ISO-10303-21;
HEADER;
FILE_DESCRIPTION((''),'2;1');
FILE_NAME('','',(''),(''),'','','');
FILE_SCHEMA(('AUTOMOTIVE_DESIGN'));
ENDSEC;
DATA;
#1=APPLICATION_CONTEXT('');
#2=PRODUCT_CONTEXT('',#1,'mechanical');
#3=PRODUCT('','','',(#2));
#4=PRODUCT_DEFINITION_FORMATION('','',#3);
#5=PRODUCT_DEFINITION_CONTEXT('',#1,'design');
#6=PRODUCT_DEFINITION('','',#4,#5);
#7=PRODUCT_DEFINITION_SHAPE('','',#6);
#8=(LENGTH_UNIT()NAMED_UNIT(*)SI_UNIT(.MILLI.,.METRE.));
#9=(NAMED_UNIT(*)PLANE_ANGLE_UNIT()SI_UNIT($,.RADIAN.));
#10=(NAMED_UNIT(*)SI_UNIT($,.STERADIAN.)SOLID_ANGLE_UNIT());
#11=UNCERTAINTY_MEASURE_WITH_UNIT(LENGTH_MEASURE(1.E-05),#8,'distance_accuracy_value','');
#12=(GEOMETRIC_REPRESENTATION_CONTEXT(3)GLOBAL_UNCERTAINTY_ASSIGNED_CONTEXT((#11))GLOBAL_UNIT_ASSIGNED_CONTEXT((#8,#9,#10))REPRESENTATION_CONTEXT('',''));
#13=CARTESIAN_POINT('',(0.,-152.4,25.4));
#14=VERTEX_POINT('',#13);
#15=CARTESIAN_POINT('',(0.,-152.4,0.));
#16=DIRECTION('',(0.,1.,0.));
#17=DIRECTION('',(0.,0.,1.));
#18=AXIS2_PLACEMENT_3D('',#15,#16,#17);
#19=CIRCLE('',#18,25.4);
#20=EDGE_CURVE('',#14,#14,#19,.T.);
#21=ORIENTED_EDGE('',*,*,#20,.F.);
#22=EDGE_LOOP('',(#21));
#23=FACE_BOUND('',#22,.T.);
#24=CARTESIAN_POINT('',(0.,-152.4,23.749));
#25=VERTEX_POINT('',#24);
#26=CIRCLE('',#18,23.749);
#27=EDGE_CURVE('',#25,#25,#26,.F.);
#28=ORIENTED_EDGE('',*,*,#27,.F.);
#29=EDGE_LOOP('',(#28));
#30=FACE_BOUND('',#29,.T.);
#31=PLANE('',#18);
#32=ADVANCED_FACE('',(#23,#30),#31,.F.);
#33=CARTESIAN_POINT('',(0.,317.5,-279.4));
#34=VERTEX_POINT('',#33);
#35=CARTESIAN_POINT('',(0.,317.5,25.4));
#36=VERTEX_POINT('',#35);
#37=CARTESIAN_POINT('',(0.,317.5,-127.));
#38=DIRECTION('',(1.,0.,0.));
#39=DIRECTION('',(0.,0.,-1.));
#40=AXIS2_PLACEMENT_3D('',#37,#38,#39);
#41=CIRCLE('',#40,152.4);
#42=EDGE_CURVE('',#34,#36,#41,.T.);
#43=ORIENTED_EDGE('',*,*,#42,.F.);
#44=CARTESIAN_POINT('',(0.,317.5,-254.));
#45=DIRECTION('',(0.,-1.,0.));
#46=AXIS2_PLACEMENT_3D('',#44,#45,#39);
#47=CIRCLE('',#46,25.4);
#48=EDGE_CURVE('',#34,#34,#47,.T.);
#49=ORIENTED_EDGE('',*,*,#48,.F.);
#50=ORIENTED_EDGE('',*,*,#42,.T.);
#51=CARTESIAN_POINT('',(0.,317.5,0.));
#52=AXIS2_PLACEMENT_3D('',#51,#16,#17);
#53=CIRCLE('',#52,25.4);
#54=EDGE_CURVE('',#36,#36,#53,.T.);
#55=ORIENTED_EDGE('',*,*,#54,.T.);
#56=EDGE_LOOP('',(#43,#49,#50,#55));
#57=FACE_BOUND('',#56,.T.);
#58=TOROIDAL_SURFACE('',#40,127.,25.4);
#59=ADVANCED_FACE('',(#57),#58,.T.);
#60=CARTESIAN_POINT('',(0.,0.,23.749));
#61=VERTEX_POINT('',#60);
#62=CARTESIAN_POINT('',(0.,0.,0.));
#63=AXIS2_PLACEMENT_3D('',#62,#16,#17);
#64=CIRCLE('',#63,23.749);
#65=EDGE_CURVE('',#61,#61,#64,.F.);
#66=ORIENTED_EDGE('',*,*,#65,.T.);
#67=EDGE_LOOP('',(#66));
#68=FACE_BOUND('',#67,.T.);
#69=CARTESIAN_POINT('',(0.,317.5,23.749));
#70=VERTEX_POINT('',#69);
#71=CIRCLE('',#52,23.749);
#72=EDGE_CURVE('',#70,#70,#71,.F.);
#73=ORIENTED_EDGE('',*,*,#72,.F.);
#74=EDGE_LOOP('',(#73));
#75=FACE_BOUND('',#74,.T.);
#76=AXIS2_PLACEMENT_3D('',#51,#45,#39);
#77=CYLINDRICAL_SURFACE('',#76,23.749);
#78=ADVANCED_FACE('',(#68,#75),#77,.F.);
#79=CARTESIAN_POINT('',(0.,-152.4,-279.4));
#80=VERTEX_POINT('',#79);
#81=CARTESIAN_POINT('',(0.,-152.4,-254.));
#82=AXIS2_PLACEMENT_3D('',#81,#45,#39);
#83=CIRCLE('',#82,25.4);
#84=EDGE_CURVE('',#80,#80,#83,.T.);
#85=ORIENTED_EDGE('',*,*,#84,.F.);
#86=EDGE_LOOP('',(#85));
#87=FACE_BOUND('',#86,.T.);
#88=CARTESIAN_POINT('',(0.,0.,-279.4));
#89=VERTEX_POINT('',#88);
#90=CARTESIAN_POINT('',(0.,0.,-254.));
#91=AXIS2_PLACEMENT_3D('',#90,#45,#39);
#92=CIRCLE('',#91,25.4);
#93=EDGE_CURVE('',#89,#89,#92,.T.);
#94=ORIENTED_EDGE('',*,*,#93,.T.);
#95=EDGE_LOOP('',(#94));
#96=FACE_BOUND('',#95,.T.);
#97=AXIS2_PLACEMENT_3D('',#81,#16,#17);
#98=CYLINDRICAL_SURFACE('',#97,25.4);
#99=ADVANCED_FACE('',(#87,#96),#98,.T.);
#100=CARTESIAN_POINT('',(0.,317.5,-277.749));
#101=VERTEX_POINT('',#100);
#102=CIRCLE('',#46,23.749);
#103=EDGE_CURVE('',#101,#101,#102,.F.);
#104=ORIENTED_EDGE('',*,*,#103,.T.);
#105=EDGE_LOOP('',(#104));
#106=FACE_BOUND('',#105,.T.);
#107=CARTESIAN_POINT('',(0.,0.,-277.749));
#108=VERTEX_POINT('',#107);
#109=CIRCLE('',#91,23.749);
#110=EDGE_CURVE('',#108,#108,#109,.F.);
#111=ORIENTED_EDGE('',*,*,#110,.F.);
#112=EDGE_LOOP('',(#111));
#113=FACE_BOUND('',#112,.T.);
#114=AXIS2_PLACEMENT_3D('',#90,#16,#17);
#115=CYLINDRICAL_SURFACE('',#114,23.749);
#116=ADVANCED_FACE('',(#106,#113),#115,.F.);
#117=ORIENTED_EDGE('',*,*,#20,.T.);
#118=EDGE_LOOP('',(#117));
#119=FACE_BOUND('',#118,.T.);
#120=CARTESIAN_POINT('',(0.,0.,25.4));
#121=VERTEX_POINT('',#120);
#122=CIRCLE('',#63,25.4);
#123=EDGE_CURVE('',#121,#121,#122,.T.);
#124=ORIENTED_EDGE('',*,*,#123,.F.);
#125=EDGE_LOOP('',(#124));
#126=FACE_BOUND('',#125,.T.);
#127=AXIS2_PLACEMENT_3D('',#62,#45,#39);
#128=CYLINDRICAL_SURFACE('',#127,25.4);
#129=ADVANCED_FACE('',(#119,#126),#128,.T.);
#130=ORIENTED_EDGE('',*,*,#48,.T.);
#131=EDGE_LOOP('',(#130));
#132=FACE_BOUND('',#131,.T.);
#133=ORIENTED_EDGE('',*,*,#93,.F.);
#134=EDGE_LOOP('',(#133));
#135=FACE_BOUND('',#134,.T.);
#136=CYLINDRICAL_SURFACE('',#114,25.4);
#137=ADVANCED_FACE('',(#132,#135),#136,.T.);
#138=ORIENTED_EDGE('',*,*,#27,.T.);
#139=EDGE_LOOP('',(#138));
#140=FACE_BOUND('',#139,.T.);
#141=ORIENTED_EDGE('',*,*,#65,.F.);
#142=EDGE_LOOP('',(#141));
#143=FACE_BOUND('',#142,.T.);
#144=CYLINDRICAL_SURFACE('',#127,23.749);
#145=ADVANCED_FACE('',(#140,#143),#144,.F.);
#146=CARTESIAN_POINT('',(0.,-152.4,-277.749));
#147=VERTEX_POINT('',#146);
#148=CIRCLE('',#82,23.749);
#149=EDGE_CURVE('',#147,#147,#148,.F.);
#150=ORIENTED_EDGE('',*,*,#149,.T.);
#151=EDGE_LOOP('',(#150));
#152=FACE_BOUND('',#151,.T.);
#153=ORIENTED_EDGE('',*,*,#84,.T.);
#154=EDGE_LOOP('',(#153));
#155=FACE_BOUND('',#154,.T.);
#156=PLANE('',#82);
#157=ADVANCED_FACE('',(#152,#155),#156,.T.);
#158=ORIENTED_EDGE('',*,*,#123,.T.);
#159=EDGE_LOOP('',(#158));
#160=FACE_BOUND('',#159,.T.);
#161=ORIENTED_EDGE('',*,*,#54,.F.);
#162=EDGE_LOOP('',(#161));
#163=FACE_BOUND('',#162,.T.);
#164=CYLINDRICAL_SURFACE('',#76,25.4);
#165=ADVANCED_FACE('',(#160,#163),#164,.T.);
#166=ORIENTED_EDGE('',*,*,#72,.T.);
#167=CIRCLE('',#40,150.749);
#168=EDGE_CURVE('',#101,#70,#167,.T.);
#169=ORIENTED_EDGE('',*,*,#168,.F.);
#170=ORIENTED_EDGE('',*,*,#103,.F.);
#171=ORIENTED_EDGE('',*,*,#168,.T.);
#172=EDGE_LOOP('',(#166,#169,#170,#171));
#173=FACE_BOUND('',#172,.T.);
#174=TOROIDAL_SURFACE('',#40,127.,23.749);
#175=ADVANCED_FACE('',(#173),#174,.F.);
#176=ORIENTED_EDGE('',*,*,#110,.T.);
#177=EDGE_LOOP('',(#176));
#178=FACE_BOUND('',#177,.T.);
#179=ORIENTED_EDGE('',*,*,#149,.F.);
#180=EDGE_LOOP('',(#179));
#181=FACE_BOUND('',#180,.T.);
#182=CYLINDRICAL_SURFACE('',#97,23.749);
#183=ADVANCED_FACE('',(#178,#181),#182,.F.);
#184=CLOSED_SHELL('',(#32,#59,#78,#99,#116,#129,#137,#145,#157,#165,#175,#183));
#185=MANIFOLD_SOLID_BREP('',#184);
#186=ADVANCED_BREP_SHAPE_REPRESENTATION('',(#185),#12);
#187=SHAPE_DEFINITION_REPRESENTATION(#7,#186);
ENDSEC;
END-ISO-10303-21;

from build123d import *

# Parameters (mm, degrees)
SKETCH2_R   = 25.4
SKETCH2_R_2 = 23.749


with BuildPart() as part:
    # Sweep1: sweep along a path in Sketch1
    with BuildLine(Plane(origin=(0, 0, 0), x_dir=(0, 0, -1), z_dir=(1, 0, 0))) as sweep1_path:
        Line((0, -152.4), (0, 0))
        Line((0, 0), (0, 317.5))
        ThreePointArc((0, 317.5), (127, 444.5), (254, 317.5))
        Line((254, 317.5), (254, 0))
        Line((254, 0), (254, -152.4))
    # Sketch2 → Sweep1 (sweep)
    with BuildSketch(Plane(origin=(0, -152.4, 0), x_dir=(1, 0, 0), z_dir=(0, 1, 0))):
        Circle(SKETCH2_R)
        Circle(SKETCH2_R_2, mode=Mode.SUBTRACT)
    sweep(path=sweep1_path.line)


solid = part.part
